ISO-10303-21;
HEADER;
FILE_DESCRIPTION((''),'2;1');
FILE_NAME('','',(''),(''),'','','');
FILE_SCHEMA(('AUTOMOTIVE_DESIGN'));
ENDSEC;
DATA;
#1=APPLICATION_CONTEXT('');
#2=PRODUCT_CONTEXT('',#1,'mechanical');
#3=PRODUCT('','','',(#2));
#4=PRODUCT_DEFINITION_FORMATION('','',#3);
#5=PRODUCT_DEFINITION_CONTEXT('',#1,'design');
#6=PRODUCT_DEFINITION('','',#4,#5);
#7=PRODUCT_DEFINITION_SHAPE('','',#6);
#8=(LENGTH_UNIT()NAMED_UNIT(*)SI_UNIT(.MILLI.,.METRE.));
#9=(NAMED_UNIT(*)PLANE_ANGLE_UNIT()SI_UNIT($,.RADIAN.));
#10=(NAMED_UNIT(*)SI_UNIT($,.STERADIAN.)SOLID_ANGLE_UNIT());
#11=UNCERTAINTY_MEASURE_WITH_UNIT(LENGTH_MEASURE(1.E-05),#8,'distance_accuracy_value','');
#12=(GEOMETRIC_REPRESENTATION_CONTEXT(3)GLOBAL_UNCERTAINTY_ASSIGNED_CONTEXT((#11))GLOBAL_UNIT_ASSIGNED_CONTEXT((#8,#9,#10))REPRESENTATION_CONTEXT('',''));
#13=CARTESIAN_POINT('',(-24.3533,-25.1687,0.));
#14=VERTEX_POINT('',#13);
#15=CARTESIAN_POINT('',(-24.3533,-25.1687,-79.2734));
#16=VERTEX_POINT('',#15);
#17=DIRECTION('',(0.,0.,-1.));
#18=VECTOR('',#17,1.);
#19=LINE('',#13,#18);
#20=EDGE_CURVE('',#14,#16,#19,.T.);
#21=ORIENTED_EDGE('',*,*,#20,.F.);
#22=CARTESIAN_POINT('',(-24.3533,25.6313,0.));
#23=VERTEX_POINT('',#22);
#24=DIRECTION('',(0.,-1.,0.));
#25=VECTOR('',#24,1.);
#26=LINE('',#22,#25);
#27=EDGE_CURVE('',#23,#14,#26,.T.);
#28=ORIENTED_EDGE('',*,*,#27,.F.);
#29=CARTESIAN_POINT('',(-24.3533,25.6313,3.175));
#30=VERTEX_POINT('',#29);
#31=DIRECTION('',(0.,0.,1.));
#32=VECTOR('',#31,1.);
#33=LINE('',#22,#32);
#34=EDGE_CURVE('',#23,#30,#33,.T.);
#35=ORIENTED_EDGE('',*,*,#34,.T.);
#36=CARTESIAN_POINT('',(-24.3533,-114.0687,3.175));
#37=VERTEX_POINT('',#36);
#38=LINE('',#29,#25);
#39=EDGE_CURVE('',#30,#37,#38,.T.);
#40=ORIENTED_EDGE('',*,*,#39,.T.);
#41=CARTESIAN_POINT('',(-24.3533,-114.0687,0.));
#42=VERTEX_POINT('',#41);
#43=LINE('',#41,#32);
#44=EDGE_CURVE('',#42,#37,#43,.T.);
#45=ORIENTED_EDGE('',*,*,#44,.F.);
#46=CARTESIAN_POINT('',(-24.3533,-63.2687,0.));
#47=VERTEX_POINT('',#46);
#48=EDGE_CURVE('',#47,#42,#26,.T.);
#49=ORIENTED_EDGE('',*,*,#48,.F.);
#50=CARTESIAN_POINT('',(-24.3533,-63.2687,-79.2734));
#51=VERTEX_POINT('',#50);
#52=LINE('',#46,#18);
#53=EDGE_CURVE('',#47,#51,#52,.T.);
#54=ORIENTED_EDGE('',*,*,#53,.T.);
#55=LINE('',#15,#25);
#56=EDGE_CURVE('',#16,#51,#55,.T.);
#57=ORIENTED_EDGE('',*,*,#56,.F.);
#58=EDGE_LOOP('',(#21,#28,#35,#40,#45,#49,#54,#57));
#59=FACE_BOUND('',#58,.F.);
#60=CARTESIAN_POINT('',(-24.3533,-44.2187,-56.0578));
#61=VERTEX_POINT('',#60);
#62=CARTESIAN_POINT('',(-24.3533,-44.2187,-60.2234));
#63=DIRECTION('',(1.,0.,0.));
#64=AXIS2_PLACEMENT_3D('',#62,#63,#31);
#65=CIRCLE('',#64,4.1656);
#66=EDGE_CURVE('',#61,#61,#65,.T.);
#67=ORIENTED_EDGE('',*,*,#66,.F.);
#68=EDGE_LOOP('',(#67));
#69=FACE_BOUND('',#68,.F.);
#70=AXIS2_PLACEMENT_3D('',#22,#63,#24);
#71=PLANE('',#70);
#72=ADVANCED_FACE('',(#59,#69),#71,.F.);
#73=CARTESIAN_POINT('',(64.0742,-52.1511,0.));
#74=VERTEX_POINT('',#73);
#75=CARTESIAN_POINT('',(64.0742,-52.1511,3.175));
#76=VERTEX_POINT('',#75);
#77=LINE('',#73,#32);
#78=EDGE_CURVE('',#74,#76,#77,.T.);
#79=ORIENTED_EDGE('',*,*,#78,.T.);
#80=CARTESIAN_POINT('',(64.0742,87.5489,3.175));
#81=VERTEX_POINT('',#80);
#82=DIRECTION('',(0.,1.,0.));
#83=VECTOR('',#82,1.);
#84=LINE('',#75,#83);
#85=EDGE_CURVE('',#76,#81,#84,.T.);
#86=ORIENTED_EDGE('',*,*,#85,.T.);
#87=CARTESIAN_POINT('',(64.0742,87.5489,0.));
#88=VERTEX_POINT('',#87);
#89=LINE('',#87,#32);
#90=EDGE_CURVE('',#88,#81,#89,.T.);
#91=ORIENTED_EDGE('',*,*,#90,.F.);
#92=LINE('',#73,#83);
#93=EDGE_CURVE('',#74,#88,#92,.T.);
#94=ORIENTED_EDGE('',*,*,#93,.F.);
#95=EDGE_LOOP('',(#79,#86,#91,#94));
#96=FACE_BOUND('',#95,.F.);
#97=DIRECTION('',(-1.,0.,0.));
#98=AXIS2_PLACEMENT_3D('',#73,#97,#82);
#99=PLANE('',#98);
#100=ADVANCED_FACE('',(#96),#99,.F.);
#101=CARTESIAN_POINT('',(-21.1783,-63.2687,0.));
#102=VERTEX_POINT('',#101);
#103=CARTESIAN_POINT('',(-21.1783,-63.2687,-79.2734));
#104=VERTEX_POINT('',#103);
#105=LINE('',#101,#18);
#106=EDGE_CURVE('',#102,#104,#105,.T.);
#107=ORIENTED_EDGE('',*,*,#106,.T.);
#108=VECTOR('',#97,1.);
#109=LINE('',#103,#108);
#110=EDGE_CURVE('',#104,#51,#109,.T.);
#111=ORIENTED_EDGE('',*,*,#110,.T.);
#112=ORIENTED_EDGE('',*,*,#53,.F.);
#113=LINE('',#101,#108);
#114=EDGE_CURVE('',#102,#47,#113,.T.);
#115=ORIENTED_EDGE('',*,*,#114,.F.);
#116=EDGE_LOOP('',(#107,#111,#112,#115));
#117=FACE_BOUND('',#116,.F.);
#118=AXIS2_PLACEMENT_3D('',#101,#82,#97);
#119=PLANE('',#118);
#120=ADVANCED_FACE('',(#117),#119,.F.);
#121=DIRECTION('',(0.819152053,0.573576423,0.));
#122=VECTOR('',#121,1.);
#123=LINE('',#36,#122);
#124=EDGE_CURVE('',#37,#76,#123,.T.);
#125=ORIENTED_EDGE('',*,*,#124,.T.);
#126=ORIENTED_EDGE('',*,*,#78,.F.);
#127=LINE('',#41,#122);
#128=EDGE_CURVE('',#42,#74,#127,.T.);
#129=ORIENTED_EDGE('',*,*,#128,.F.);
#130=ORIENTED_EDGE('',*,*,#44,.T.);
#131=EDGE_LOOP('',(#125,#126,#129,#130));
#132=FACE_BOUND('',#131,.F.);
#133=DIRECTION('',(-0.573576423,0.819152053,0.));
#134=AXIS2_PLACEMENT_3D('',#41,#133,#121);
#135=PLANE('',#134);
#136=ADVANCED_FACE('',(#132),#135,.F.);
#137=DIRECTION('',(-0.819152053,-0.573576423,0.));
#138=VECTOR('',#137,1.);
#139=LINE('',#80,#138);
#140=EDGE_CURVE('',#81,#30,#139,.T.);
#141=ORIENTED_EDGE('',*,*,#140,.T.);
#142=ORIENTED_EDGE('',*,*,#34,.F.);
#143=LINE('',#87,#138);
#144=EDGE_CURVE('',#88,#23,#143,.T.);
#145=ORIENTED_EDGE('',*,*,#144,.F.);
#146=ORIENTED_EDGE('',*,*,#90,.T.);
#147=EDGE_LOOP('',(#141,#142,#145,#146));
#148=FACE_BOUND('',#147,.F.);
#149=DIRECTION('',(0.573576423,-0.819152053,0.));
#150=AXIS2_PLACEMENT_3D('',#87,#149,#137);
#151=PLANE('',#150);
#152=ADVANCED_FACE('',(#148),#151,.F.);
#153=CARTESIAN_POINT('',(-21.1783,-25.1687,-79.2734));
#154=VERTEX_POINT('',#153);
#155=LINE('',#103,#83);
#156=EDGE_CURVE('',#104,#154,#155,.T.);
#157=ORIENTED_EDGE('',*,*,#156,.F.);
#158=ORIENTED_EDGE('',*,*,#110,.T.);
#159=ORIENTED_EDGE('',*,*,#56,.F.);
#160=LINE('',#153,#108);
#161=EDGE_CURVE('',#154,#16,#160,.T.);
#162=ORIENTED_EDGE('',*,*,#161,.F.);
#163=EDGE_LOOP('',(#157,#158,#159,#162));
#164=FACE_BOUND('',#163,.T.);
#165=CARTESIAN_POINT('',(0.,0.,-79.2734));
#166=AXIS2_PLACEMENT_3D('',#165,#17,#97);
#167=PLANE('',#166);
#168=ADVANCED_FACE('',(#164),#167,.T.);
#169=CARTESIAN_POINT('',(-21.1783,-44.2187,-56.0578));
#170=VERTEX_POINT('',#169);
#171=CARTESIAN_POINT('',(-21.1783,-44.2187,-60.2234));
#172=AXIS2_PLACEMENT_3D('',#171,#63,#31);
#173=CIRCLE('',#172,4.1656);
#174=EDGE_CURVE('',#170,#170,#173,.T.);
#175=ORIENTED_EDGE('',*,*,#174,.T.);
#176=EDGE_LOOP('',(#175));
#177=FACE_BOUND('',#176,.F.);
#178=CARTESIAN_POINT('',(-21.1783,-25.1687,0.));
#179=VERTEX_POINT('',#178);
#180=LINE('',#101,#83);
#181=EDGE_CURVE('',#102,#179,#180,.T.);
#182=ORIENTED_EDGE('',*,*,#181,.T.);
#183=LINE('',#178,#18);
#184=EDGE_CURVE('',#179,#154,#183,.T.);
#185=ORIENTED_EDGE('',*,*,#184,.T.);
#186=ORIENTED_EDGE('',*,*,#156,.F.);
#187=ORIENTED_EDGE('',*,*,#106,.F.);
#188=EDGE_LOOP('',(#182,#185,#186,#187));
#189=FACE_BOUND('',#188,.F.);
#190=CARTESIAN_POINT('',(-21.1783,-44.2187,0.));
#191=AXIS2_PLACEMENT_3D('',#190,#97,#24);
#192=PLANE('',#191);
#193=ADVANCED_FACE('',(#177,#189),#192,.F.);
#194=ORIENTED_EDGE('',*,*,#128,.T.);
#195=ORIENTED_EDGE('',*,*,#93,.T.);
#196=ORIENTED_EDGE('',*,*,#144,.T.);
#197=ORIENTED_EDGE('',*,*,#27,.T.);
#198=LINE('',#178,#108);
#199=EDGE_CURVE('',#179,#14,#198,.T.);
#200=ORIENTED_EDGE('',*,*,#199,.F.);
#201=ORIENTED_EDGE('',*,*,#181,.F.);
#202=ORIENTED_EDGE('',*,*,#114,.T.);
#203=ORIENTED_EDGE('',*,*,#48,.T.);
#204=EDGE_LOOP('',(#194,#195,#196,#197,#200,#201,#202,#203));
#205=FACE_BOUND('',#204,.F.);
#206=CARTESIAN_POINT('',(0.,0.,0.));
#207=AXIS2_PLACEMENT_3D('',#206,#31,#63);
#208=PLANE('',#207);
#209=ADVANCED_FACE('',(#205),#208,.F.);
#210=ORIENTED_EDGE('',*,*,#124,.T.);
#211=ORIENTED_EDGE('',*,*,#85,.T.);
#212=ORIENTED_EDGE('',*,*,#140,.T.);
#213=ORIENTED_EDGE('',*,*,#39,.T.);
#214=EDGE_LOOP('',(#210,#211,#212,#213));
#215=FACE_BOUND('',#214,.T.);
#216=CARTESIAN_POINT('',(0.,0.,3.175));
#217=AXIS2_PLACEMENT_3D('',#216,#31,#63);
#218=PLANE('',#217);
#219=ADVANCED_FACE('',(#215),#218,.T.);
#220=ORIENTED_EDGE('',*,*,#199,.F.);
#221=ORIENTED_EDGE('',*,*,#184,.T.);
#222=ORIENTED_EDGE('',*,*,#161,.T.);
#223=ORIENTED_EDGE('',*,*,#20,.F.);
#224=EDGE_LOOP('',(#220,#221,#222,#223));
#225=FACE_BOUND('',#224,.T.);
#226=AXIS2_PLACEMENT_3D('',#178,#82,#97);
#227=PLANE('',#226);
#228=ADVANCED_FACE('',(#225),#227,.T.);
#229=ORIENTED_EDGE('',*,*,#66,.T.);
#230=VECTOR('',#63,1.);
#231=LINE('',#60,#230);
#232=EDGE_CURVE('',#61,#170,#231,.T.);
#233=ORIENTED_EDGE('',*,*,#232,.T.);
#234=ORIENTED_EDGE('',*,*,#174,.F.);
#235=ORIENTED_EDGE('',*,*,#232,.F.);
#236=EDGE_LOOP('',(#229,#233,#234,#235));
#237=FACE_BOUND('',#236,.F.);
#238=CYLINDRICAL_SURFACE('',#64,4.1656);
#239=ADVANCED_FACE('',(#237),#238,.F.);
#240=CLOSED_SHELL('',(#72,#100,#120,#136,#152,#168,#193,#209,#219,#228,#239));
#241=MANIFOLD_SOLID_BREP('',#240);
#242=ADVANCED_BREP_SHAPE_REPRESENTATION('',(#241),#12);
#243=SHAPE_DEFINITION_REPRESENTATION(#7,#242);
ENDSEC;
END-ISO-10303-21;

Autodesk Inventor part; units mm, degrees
ref_plane "YZ Plane" through (0, 0, 0) normal (1, 0, 0) x (0, 1, 0)
ref_plane "XZ Plane" through (0, 0, 0) normal (0, 1, 0) x (-1, 0, 0)
ref_plane "XY Plane" through (0, 0, 0) normal (0, 0, 1) x (1, 0, 0)
sketch "Sketch1" plane through (0, 0, 0) normal (0, 0, 1) x (1, 0, 0)
  line L0 (-24.3533, 25.6313) -> (-24.3533, -114.0687)
  line L1 (-24.3533, -114.0687) -> (64.0742, -52.1511)
  line L2 (-24.3533, -114.0687) -> (83.5967, -114.0687) construction
  line L3 (64.0742, -52.1511) -> (64.0742, 87.5489)
  line L4 (64.0742, 87.5489) -> (-24.3533, 25.6313)
  point P0 (0, 0)
  dimension "d0" = 139.7
  dimension "d1" = 107.95
  dimension "d2" = 35
  dimension "d3" = 139.7
extrude "Extrusion1" add sketch "Sketch1" along normal blind 3.175
sketch "Sketch2" plane through (0, 0, 0) normal (0, 0, -1) x (-1, 0, 0)
  line L0 (21.1783, -44.2187) -> (21.1783, -25.1687)
  line L1 (21.1783, -25.1687) -> (24.3533, -25.1687)
  line L2 (21.1783, -44.2187) -> (21.1783, -63.2687)
  line L3 (21.1783, -63.2687) -> (24.3533, -63.2687)
  line L4 (24.3533, -25.1687) -> (24.3533, -63.2687)
  point P0 (0, 0)
  dimension "d7" = 19.05
  dimension "d8" = 19.05
extrude "Extrusion2" add sketch "Sketch2" along normal blind 79.2734
sketch "Sketch3" plane through (-24.3533, -114.0687, 3.175) normal (-1, 0, 0) x (0, 0, 1)
  line L0 (-82.4484, 88.9) -> (-63.3984, 88.9)
  line L1 (-63.3984, 88.9) -> (-63.3984, 69.85)
  line L2 (-63.3984, 69.85) -> (-82.4484, 69.85)
  line L3 (-82.4484, 69.85) -> (-82.4484, 88.9)
  point P0 (-3.175, 114.0687)
  dimension "d11" = 19.05
  dimension "d12" = 19.05
hole "Hole1" at (-24.3533, -44.2187, -60.2234) direction (1, 0, 0) diameter 8.3312 end through all
properties part number "Left Abdomen"
